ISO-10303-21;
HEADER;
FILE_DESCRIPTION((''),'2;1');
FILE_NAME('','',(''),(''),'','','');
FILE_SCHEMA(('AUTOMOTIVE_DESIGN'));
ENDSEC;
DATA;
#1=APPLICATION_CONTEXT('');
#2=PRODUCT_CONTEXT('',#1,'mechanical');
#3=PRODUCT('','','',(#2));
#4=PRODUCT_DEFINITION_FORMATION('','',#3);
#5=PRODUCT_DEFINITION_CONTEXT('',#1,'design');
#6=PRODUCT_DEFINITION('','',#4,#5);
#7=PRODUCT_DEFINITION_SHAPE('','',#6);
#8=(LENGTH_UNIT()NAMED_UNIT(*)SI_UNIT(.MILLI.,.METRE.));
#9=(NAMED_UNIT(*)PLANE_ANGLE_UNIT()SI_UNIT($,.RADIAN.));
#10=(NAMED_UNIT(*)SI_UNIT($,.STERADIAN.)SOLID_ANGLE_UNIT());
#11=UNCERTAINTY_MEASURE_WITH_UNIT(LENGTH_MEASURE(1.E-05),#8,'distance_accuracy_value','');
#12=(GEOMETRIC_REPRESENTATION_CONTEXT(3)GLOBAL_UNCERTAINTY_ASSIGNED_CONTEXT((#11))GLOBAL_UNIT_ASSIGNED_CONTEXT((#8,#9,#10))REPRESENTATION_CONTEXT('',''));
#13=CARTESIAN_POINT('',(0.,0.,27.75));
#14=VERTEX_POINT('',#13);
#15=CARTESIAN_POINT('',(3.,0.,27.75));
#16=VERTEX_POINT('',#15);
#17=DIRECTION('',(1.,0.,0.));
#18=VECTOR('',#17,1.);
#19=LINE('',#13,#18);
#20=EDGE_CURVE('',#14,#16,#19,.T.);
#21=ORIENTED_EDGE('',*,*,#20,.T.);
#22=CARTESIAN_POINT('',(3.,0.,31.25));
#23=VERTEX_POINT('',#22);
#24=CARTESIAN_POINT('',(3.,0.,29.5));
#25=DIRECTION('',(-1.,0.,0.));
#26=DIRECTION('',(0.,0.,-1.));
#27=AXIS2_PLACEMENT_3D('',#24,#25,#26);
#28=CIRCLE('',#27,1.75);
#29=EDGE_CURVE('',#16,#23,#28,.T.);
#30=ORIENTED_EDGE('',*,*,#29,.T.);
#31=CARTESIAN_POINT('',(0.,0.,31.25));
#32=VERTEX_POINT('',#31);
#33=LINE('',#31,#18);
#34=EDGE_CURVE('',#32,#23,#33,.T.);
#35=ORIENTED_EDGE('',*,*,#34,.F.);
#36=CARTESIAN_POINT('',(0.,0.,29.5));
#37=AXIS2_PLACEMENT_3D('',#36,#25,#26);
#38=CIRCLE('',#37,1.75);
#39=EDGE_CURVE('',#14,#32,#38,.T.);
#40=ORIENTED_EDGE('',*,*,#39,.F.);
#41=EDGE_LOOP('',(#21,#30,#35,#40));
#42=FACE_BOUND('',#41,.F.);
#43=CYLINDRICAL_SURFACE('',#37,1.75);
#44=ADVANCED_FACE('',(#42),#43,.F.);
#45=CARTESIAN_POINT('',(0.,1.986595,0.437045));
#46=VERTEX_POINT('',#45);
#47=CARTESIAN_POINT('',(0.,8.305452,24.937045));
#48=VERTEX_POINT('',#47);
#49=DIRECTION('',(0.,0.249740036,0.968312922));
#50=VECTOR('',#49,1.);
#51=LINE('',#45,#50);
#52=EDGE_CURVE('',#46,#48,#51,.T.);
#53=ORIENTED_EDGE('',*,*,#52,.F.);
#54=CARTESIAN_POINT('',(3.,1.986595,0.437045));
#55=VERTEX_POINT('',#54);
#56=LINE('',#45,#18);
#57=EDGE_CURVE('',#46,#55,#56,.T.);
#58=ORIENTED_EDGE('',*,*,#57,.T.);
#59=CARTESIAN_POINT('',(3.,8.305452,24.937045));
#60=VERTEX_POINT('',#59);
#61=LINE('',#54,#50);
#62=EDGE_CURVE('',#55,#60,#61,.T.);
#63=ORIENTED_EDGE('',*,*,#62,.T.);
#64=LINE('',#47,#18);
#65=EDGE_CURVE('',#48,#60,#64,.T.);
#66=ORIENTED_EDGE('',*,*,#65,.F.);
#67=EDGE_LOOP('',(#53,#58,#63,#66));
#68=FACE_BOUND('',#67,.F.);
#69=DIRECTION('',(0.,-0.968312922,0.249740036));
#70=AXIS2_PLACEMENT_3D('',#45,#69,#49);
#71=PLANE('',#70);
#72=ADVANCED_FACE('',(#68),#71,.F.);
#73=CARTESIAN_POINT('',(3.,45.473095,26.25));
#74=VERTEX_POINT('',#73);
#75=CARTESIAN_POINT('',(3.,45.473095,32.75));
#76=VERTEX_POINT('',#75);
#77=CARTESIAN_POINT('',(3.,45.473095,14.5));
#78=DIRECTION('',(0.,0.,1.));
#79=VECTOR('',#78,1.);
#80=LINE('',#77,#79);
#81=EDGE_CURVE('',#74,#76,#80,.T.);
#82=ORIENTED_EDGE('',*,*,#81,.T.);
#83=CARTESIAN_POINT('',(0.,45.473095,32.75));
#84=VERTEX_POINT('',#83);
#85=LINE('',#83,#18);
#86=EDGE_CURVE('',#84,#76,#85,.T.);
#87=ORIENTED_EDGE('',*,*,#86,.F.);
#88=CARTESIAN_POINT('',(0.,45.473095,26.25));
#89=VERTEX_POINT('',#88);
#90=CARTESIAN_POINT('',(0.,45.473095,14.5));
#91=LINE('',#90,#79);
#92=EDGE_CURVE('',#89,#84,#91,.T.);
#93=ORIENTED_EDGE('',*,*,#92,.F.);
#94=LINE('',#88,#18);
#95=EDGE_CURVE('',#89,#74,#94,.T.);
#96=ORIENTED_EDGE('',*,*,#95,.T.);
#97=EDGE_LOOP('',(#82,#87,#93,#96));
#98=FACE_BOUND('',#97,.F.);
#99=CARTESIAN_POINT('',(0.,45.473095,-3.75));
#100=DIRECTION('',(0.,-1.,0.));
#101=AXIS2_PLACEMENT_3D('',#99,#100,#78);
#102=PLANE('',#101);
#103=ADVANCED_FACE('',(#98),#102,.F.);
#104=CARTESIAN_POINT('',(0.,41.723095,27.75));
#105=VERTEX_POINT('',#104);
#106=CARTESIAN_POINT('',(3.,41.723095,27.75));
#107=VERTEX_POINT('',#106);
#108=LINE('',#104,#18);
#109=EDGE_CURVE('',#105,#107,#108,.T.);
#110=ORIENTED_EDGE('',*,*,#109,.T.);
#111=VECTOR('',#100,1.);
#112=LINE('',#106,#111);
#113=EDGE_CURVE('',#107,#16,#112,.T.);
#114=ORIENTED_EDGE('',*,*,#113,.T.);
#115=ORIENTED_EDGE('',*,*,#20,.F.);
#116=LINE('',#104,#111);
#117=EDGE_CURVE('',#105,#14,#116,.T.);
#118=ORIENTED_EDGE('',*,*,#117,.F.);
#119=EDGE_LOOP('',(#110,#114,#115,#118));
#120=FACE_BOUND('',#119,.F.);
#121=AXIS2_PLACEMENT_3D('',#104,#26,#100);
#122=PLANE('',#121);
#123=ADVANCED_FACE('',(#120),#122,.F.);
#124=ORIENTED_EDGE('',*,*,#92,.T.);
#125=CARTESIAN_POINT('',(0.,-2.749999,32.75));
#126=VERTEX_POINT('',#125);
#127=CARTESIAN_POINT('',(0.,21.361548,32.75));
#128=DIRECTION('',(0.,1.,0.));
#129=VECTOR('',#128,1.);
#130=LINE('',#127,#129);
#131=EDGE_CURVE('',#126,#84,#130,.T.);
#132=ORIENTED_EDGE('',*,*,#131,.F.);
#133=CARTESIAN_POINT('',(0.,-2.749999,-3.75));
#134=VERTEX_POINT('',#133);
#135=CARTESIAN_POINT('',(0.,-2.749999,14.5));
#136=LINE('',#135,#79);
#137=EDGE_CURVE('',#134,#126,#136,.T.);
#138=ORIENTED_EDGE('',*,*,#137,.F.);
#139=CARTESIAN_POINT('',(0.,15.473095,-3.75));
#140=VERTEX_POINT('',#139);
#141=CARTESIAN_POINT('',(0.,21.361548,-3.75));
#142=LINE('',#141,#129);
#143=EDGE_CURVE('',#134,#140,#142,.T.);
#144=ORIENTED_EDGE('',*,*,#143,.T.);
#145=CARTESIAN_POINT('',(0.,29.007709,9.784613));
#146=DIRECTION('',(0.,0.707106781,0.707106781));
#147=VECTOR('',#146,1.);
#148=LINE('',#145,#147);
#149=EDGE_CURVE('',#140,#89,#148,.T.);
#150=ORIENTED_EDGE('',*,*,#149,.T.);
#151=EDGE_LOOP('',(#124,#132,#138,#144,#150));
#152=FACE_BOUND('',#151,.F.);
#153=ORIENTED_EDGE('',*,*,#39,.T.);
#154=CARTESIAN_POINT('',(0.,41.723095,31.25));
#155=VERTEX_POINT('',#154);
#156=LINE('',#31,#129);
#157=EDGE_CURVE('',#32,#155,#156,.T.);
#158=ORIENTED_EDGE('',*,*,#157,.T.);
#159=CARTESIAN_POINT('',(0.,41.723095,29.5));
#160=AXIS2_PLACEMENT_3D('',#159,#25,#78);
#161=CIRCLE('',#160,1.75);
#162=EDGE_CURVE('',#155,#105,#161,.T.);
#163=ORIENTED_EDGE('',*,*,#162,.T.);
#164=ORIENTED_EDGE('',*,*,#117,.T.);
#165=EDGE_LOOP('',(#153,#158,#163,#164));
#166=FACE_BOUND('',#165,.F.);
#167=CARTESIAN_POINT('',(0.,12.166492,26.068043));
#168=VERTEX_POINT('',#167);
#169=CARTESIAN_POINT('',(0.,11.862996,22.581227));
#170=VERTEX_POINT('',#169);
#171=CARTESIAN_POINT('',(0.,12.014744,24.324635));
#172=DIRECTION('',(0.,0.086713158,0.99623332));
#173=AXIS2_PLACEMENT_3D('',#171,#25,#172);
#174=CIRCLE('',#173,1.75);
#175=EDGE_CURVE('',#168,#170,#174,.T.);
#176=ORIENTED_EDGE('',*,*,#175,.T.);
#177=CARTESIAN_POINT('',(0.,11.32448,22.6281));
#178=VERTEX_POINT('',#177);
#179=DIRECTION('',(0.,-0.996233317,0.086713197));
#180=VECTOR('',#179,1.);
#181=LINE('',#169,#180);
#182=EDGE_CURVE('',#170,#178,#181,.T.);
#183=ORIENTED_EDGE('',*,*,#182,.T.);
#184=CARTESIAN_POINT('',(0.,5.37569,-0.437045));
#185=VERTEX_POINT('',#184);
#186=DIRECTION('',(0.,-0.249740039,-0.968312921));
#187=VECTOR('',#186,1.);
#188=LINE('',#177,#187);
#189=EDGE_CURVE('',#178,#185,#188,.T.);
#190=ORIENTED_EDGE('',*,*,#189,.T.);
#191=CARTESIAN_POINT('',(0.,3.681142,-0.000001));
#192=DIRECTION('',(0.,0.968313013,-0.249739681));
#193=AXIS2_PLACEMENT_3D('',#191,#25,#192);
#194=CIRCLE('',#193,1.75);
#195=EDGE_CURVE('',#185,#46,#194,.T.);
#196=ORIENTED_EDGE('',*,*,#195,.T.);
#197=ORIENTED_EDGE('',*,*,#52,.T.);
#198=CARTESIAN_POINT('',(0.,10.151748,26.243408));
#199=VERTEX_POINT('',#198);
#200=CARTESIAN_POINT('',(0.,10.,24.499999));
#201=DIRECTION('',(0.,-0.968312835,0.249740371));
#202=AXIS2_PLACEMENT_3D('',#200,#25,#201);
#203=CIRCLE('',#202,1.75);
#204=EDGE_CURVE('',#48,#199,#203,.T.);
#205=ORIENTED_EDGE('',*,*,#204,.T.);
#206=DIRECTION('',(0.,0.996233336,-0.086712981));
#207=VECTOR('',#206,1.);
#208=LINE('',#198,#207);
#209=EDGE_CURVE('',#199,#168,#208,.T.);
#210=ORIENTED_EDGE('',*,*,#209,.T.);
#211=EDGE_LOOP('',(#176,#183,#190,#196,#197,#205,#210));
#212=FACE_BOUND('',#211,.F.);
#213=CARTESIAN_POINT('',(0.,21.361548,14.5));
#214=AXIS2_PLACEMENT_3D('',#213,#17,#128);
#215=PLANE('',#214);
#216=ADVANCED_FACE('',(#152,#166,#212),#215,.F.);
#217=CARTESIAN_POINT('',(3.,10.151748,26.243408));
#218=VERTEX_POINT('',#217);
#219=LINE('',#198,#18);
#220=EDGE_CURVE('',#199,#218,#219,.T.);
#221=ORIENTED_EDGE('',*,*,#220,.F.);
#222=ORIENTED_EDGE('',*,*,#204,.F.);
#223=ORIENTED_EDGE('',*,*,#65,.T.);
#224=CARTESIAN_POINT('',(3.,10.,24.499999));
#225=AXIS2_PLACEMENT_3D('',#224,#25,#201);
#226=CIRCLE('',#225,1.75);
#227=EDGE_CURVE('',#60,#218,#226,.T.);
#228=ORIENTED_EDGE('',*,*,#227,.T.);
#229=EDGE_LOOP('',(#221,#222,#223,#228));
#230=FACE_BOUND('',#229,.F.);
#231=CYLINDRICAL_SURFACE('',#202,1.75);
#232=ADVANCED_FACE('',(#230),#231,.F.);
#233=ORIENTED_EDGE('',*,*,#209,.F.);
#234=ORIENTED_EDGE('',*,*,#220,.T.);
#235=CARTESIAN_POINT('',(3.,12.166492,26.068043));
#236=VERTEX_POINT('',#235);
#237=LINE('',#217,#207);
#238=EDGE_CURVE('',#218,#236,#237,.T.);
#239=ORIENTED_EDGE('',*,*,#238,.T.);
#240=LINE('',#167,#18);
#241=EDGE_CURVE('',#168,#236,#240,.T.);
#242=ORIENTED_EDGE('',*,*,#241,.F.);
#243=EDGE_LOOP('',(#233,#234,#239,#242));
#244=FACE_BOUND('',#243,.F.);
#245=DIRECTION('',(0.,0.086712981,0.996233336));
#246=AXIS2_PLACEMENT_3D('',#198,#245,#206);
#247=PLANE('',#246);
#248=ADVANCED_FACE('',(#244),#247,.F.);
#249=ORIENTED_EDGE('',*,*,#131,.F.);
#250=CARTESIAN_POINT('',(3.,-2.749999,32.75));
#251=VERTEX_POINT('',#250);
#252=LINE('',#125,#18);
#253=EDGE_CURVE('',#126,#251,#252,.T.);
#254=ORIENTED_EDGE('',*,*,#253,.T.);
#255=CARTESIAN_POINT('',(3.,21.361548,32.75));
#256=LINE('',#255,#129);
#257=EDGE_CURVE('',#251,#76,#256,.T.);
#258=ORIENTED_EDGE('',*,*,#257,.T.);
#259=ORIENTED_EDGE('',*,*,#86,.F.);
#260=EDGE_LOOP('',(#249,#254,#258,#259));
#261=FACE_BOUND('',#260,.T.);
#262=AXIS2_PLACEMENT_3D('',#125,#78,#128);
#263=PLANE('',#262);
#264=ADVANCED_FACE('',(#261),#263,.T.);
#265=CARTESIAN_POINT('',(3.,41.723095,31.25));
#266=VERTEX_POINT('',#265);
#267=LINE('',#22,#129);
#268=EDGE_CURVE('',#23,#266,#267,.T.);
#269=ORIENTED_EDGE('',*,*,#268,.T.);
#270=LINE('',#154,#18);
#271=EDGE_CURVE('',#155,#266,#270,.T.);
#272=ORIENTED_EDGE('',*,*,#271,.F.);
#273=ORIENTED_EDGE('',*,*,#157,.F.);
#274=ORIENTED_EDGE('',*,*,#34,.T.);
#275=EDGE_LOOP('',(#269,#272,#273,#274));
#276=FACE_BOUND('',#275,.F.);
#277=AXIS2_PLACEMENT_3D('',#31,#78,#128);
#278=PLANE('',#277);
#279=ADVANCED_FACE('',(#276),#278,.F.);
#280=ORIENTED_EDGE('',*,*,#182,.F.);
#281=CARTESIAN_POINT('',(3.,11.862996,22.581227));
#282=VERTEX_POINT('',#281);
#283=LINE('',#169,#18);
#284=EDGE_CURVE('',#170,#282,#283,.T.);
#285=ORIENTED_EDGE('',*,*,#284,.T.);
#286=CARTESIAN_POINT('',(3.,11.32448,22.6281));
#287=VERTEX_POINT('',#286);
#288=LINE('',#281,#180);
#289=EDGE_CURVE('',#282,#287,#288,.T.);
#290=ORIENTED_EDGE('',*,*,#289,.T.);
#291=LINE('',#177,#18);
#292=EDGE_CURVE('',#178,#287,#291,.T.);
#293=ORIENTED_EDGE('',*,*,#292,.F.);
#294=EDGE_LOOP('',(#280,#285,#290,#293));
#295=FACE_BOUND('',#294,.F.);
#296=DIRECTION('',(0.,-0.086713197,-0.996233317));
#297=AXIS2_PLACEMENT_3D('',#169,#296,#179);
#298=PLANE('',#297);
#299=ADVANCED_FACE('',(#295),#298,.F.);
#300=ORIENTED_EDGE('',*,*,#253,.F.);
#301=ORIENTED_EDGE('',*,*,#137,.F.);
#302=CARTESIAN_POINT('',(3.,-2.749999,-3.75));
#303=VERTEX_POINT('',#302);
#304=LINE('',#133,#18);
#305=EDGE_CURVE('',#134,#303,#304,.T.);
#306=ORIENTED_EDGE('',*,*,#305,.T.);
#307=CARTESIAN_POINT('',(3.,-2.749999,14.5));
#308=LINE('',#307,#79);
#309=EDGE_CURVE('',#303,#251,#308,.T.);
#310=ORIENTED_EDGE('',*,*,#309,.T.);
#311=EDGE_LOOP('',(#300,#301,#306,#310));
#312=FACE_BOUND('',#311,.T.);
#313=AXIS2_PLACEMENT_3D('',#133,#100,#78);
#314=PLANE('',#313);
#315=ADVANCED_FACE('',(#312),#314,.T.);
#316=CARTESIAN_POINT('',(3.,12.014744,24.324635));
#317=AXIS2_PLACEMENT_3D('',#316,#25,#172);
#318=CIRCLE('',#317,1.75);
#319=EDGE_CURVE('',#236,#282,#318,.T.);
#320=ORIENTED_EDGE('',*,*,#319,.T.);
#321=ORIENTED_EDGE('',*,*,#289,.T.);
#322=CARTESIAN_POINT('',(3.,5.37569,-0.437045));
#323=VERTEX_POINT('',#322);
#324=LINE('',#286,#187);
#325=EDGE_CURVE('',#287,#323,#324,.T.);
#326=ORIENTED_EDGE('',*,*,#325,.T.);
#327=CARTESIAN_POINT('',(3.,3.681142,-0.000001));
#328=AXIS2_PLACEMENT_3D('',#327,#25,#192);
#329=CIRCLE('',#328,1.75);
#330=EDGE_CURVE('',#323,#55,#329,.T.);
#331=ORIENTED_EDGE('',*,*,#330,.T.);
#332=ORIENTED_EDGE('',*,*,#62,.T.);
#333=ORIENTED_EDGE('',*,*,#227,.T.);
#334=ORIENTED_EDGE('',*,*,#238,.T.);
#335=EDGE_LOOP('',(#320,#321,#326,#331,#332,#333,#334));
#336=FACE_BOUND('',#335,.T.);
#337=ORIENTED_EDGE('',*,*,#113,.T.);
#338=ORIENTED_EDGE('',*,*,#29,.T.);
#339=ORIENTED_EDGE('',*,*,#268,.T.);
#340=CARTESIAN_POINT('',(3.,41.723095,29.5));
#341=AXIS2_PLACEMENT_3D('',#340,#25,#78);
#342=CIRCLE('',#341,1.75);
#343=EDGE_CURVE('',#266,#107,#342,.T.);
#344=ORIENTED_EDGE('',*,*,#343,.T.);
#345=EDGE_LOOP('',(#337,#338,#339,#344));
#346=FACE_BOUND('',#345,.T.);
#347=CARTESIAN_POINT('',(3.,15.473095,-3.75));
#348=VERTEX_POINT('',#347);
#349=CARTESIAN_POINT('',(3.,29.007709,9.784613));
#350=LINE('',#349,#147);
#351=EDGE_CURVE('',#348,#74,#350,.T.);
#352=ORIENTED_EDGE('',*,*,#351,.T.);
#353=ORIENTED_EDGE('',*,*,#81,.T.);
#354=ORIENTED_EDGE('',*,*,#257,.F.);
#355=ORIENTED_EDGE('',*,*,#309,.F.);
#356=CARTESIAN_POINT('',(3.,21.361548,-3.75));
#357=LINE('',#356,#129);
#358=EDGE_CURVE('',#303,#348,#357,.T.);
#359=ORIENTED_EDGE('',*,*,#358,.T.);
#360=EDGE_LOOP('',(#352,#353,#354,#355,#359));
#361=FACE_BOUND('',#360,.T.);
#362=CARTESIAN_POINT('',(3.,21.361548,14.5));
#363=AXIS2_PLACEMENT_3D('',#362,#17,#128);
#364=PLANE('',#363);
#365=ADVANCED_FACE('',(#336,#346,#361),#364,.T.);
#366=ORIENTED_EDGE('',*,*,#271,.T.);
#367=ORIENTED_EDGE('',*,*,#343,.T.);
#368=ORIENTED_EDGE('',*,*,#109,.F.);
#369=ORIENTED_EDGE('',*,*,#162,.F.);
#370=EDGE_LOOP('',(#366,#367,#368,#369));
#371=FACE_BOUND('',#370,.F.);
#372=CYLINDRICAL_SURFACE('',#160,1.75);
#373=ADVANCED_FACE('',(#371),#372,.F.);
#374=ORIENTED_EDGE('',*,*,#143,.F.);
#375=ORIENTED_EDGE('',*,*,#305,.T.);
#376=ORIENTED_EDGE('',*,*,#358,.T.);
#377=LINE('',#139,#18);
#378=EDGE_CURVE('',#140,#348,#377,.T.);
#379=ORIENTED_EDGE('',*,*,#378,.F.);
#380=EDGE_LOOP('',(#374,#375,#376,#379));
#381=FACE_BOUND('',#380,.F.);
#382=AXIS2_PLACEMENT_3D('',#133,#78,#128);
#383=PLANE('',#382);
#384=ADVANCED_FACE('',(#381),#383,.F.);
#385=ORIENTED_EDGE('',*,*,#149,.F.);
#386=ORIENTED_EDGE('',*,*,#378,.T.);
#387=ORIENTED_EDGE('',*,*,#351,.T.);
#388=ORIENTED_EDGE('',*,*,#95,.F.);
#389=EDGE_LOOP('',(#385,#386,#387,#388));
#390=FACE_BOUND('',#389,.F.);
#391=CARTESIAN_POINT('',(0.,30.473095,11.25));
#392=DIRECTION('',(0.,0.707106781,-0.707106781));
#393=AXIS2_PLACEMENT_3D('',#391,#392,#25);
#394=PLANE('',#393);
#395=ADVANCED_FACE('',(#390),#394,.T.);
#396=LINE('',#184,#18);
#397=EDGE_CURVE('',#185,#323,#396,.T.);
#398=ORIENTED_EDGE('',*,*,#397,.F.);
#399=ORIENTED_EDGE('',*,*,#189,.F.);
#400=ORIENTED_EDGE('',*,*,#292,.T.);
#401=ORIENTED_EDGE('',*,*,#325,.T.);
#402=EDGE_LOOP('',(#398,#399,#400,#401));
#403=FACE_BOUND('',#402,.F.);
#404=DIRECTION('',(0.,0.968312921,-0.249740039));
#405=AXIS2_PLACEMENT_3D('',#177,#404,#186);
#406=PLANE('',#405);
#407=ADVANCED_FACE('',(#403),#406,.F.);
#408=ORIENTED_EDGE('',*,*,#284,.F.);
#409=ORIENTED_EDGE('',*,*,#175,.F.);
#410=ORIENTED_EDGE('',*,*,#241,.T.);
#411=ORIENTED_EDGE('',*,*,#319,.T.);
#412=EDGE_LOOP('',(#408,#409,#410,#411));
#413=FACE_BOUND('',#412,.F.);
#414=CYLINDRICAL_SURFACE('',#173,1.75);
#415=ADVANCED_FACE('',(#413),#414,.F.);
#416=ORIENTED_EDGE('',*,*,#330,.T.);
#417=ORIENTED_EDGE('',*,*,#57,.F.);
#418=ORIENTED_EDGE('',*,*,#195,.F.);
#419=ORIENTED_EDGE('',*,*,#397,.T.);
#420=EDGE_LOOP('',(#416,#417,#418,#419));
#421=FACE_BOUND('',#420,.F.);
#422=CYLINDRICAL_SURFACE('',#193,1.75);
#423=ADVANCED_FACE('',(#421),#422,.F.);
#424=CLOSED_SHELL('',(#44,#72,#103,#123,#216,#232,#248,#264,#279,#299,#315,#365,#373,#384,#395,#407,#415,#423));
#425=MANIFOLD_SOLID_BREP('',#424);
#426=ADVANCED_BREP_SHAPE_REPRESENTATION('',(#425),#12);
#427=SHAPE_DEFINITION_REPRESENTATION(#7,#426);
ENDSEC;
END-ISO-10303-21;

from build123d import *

# Parameters (mm, degrees)
F0_W     = 48.223095
F0_H     = 36.5
F1_DEPTH = 3
F2_SIZE  = 30


with BuildPart() as f1:
    # F0 (on Right) → F1 (new body)
    with BuildSketch(Plane.YZ):
        with Locations((21.361548, 14.5)):
            Rectangle(F0_W, F0_H)
        with BuildLine():
            Line((1.986595, 0.437045), (8.305452, 24.937045))
            ThreePointArc((8.305452, 24.937045), (8.989206, 25.928564), (10.151748, 26.243408))
            Line((10.151748, 26.243408), (12.166492, 26.068043))
            ThreePointArc((12.166492, 26.068043), (13.758152, 24.172887), (11.862996, 22.581227))
            Line((11.862996, 22.581227), (11.32448, 22.6281))
            Line((11.32448, 22.6281), (5.37569, -0.437045))
            ThreePointArc((5.37569, -0.437045), (3.244097, -1.694548), (1.986595, 0.437045))
        make_face(mode=Mode.SUBTRACT)
        with BuildLine():
            Line((41.723095, 27.75), (0, 27.75))
            ThreePointArc((0, 27.75), (-1.75, 29.5), (0, 31.25))
            Line((0, 31.25), (41.723095, 31.25))
            ThreePointArc((41.723095, 31.25), (43.473095, 29.5), (41.723095, 27.75))
        make_face(mode=Mode.SUBTRACT)
    extrude(amount=F1_DEPTH)

    # F2
    f2_edges = [f1.edges().sort_by_distance(p)[0] for p in [
        (1.5, 45.473095, -3.75),
    ]]
    chamfer(f2_edges, length=F2_SIZE)


solid = f1.part
